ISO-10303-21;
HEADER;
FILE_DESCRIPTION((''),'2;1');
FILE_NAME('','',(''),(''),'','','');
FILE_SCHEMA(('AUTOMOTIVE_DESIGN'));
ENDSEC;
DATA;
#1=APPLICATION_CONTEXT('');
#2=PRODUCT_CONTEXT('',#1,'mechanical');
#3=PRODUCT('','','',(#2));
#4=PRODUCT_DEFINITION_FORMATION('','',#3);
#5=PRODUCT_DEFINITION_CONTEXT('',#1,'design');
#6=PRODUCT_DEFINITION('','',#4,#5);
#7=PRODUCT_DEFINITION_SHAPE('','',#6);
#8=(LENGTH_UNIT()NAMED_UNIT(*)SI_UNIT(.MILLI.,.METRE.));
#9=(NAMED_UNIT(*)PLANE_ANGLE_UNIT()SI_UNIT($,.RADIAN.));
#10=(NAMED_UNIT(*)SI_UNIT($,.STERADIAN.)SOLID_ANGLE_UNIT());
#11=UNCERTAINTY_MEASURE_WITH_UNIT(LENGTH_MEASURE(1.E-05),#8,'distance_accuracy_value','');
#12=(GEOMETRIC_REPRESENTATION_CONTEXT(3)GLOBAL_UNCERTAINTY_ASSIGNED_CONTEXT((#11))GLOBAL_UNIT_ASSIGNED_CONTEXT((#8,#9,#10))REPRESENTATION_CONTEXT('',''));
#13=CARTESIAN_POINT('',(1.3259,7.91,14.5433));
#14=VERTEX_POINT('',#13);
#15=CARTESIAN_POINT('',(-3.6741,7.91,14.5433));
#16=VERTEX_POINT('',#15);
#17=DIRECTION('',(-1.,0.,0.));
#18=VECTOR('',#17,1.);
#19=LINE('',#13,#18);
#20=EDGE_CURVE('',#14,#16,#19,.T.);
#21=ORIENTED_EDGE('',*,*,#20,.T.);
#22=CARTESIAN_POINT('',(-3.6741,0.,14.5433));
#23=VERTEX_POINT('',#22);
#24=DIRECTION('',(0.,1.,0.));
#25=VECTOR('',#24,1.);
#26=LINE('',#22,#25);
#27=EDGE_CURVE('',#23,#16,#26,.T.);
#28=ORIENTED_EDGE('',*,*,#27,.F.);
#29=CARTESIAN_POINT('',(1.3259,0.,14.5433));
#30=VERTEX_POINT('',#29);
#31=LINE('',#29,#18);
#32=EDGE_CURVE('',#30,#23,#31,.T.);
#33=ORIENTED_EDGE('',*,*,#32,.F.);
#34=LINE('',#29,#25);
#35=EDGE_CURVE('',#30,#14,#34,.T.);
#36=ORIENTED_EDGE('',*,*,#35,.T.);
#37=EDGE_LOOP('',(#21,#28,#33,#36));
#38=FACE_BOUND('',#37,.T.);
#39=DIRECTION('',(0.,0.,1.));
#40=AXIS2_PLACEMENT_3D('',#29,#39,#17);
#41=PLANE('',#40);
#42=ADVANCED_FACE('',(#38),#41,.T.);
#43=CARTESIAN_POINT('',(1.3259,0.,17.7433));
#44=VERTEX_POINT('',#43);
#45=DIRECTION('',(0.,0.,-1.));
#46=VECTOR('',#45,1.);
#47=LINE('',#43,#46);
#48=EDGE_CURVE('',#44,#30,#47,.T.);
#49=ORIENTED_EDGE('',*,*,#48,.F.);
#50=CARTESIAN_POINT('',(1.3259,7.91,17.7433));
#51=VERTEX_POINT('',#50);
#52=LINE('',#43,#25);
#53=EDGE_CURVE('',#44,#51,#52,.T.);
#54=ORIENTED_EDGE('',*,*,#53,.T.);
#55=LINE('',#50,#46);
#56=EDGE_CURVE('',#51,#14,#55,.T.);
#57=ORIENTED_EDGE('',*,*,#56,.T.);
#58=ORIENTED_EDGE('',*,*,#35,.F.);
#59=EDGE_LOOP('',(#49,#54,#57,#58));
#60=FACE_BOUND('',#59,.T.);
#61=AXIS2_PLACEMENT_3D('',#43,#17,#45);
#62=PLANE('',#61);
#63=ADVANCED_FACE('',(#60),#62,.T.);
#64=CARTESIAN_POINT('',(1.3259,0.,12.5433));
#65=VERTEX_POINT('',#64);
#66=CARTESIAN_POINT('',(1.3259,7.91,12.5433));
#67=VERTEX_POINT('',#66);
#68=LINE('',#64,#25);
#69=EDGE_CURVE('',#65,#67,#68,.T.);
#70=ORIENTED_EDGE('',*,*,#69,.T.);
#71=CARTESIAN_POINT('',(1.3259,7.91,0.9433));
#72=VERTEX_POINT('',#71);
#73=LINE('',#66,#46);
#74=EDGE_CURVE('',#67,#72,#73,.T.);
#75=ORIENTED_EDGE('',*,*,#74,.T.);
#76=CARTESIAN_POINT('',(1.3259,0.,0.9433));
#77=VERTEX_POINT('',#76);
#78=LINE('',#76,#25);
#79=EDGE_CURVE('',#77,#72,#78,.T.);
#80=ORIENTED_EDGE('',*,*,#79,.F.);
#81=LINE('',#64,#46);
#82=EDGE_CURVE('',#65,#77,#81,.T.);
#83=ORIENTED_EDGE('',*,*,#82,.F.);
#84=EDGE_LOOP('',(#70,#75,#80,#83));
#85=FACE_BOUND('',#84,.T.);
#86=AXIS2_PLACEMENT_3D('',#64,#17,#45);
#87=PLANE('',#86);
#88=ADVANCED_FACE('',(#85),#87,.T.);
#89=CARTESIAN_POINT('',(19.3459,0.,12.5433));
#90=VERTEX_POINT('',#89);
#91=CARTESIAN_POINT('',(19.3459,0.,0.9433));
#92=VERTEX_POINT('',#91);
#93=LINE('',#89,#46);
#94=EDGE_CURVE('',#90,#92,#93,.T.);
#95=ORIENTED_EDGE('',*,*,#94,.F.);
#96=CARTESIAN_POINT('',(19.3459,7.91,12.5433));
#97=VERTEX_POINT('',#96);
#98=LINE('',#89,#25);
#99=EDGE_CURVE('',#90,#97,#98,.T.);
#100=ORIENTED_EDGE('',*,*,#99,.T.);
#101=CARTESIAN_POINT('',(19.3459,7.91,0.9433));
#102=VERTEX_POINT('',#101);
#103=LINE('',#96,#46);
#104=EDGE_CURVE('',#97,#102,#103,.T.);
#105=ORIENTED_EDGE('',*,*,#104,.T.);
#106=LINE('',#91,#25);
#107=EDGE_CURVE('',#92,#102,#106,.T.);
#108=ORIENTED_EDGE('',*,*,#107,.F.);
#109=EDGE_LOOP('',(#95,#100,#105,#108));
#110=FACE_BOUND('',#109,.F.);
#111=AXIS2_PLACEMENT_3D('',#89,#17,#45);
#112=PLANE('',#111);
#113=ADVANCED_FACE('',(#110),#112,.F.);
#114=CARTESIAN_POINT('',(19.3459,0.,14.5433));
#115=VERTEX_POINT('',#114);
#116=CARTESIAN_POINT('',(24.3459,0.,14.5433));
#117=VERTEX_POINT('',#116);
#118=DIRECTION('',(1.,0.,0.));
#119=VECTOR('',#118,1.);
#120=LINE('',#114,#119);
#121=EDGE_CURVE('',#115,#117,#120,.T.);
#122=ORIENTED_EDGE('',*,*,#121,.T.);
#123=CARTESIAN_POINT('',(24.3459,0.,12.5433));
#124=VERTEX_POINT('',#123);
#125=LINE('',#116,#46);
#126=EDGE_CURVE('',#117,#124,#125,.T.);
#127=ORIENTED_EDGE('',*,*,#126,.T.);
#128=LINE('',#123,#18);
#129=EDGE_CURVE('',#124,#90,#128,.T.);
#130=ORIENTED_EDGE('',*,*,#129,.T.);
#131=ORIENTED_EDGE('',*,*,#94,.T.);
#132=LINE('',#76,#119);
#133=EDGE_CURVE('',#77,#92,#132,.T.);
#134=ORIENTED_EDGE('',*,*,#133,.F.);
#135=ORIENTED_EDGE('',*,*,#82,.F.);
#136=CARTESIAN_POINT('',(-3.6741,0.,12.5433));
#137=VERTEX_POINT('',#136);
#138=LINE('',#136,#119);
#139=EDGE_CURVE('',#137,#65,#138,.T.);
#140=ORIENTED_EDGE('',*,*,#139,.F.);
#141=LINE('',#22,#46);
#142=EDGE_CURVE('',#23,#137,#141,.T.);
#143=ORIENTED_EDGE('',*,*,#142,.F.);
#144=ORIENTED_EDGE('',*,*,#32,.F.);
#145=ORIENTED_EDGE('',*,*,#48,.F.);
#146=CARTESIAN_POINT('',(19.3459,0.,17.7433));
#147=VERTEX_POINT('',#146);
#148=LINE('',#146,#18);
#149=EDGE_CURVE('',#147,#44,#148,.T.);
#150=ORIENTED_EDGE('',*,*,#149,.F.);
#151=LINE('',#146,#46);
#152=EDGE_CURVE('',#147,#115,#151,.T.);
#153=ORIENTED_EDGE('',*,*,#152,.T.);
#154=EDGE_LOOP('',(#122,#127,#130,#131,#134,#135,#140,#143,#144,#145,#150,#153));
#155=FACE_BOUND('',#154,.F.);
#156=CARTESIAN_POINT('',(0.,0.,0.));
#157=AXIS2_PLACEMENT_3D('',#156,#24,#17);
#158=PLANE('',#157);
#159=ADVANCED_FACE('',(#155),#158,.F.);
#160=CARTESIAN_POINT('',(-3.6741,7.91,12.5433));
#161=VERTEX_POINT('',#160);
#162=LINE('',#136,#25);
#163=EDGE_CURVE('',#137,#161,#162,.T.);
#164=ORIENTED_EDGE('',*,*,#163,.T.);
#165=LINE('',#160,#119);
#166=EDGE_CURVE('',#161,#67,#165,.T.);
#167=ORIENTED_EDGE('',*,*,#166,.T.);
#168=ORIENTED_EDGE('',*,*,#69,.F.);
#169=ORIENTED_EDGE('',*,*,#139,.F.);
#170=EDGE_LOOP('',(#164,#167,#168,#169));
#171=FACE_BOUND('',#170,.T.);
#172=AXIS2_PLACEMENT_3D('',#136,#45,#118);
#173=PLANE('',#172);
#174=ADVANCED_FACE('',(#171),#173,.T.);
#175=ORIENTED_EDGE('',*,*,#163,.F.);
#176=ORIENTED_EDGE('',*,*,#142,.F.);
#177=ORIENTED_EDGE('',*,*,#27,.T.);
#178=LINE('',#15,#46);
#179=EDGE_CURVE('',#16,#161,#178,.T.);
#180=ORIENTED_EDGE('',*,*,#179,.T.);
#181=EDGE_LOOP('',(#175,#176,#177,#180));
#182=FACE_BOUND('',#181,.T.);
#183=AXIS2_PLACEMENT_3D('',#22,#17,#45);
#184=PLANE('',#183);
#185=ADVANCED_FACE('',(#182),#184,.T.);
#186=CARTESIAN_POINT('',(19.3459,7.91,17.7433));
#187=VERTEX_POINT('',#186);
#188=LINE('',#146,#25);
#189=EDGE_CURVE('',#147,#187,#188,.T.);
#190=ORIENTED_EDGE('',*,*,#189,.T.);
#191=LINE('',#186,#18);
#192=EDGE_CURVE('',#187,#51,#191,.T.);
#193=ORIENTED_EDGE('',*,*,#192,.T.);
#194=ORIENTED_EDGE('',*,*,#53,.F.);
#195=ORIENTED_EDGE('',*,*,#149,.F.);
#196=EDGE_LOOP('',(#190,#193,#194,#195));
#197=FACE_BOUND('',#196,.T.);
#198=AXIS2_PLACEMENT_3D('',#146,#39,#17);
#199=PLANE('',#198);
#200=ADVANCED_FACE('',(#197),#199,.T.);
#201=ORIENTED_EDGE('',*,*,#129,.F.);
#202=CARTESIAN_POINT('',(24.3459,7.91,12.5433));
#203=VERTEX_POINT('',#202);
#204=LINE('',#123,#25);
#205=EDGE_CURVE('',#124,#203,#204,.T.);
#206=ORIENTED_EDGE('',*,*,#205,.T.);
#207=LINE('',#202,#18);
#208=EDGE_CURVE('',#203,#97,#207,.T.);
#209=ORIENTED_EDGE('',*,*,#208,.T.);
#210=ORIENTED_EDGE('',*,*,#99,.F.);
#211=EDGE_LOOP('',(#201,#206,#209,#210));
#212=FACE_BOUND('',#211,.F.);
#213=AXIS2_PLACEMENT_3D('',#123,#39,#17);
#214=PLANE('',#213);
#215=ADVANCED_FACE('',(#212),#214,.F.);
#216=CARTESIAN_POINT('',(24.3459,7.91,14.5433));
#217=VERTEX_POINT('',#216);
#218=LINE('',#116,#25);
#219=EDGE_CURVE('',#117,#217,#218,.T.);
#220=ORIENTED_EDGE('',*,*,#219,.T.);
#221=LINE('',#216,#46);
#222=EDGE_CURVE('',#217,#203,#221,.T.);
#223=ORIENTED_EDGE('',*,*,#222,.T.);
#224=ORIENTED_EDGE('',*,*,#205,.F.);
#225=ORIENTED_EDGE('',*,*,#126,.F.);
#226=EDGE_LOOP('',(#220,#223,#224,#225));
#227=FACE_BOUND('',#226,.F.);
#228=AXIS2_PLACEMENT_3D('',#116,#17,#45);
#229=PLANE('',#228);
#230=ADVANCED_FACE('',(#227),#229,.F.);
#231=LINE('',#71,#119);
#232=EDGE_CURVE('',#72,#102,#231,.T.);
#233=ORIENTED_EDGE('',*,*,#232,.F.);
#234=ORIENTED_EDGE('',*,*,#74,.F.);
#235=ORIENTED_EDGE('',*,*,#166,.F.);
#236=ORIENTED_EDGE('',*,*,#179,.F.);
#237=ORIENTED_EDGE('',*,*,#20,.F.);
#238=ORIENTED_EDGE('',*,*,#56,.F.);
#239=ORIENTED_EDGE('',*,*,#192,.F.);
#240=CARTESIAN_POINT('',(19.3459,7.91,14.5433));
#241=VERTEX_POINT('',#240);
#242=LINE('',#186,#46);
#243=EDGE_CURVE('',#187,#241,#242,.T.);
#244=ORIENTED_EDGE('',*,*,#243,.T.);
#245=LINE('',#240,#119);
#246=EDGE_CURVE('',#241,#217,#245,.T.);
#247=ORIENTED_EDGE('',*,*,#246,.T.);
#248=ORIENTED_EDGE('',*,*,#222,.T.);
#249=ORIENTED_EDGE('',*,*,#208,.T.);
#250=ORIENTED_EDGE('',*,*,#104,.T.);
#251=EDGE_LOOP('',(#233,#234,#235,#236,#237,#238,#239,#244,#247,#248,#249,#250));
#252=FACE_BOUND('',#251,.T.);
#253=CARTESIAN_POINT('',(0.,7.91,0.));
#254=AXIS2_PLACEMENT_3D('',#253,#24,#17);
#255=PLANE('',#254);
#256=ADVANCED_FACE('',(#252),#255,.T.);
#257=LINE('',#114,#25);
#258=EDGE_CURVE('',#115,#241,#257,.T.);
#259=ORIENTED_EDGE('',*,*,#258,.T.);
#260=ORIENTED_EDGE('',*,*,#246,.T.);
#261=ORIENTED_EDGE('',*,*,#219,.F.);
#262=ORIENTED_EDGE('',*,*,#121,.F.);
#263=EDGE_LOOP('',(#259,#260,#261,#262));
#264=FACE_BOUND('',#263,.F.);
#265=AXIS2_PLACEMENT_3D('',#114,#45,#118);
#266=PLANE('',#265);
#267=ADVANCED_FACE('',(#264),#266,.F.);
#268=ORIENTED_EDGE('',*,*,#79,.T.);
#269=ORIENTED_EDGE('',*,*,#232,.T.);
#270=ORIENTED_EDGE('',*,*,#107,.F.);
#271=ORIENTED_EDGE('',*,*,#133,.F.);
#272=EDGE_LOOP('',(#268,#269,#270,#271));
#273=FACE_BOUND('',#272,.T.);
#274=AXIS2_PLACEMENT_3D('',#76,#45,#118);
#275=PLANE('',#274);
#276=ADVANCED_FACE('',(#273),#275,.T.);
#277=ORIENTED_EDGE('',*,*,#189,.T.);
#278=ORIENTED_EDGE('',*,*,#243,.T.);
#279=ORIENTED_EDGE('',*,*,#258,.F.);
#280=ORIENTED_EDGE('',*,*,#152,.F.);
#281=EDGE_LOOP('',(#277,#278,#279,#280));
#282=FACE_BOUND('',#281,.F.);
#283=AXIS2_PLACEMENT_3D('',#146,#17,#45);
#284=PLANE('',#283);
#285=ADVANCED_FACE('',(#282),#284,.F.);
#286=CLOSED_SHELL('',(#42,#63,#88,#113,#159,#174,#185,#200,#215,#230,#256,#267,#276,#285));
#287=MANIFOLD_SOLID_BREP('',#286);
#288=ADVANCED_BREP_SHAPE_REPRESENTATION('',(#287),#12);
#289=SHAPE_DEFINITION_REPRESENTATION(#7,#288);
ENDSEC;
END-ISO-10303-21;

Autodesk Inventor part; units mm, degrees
ref_plane "YZ Plane" through (0, 0, 0) normal (1, 0, 0) x (0, 1, 0)
ref_plane "XZ Plane" through (0, 0, 0) normal (0, 1, 0) x (-1, 0, 0)
ref_plane "XY Plane" through (0, 0, 0) normal (0, 0, 1) x (1, 0, 0)
sketch "Sketch1" plane through (0, 0, 0) normal (0, 1, 0) x (-1, 0, 0)
  line L0 (-19.3459, 17.7433) -> (-1.3259, 17.7433)
  line L1 (-1.3259, 0.9433) -> (-19.3459, 0.9433)
  line L2 (-19.3459, 14.5433) -> (-24.3459, 14.5433)
  line L3 (-24.3459, 14.5433) -> (-24.3459, 12.5433)
  line L4 (-24.3459, 12.5433) -> (-19.3459, 12.5433)
  line L5 (-19.3459, 17.7433) -> (-19.3459, 14.5433)
  line L6 (-19.3459, 12.5433) -> (-19.3459, 0.9433)
  line L7 (-1.3259, 17.7433) -> (-1.3259, 14.5433)
  line L8 (-1.3259, 14.5433) -> (3.6741, 14.5433)
  line L9 (3.6741, 14.5433) -> (3.6741, 12.5433)
  line L10 (3.6741, 12.5433) -> (-1.3259, 12.5433)
  line L11 (-1.3259, 12.5433) -> (-1.3259, 0.9433)
  point P0 (0, 0)
  point P1 (-11, -1)
  dimension "d0" = 18.02
  dimension "d1" = 16.8
  dimension "d2" = 2
  dimension "d3" = 5
  dimension "d4" = 3.2
extrude "Extrusion1" add sketch "Sketch1" along normal blind 7.91
properties part number "EMAXES9251"
